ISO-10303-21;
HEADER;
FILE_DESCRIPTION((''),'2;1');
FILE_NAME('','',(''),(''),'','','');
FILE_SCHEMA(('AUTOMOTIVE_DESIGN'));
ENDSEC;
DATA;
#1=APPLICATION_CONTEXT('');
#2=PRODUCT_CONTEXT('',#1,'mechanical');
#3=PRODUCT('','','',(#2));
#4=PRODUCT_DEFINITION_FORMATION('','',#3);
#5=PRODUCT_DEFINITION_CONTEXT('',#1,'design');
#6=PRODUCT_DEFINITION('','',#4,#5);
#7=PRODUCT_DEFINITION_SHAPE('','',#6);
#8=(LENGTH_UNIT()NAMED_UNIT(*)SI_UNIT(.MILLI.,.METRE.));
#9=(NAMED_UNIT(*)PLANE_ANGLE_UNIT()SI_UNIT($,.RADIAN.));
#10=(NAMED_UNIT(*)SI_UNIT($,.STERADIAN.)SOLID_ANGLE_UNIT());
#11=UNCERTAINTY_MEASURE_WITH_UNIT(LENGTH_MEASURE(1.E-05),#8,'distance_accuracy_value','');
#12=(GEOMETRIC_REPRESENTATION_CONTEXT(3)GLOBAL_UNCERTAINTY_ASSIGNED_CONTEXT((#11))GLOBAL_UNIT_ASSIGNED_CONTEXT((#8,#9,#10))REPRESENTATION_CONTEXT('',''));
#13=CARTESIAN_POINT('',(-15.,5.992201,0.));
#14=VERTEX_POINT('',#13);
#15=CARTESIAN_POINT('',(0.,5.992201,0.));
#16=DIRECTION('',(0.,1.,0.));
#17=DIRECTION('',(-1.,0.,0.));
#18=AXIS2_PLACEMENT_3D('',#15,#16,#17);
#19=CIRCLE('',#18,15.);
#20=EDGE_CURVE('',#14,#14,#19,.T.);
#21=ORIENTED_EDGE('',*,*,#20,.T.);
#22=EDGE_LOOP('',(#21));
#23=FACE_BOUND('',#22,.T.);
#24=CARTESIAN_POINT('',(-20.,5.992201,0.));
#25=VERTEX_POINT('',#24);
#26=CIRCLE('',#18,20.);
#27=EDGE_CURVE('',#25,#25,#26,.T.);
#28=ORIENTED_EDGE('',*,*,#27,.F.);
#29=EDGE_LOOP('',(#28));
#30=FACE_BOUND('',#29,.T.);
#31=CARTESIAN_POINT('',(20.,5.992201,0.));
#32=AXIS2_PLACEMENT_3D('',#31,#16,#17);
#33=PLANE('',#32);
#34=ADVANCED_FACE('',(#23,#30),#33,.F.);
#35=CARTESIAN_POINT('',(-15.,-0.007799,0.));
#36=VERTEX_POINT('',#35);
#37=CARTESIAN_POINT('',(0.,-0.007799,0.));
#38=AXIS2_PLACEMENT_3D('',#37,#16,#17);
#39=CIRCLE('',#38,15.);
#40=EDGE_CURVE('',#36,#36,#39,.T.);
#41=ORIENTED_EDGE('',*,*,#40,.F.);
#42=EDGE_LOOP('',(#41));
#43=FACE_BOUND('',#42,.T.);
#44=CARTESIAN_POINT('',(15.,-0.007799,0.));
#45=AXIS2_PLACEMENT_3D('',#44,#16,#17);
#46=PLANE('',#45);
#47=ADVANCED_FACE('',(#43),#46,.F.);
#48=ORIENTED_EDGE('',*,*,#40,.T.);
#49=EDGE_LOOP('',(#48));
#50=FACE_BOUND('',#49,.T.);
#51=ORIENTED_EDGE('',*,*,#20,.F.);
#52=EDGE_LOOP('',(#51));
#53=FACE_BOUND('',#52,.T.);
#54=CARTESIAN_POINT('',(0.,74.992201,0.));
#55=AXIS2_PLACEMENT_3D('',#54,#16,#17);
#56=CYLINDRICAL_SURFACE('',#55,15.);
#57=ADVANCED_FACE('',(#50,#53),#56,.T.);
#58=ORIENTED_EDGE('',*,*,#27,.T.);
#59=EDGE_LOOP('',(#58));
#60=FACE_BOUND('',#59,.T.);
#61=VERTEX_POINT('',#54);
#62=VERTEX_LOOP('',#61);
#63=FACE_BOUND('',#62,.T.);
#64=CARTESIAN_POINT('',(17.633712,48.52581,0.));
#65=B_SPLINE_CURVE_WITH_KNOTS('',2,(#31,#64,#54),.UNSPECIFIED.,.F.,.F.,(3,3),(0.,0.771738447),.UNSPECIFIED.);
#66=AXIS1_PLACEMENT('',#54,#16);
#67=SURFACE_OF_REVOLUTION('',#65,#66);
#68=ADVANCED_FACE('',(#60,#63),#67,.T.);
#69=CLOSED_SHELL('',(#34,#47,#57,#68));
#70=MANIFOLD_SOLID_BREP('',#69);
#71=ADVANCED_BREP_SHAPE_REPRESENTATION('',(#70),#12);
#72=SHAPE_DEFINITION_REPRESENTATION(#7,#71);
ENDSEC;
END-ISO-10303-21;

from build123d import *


with BuildPart() as part:
    # Sketch1 → Revolve1 (revolve)
    with BuildSketch(Plane.XY):
        with BuildLine():
            Line((0, 74.992200594), (0, -0.007799406))
            Line((0, -0.007799406), (15, -0.007799406))
            Line((15, -0.007799406), (15, 5.992200594))
            Line((15, 5.992200594), (20, 5.992200594))
            add(Edge.make_bspline(
                [(0, 74.992200594), (17.63371232, 48.525810358), (20, 5.992200594)],
                knots=[0, 0, 0, 0.771738447, 0.771738447, 0.771738447], degree=2))
        make_face()
    revolve(axis=Axis((0, 74.992200594, 0), (0, -1, 0)))


solid = part.part
